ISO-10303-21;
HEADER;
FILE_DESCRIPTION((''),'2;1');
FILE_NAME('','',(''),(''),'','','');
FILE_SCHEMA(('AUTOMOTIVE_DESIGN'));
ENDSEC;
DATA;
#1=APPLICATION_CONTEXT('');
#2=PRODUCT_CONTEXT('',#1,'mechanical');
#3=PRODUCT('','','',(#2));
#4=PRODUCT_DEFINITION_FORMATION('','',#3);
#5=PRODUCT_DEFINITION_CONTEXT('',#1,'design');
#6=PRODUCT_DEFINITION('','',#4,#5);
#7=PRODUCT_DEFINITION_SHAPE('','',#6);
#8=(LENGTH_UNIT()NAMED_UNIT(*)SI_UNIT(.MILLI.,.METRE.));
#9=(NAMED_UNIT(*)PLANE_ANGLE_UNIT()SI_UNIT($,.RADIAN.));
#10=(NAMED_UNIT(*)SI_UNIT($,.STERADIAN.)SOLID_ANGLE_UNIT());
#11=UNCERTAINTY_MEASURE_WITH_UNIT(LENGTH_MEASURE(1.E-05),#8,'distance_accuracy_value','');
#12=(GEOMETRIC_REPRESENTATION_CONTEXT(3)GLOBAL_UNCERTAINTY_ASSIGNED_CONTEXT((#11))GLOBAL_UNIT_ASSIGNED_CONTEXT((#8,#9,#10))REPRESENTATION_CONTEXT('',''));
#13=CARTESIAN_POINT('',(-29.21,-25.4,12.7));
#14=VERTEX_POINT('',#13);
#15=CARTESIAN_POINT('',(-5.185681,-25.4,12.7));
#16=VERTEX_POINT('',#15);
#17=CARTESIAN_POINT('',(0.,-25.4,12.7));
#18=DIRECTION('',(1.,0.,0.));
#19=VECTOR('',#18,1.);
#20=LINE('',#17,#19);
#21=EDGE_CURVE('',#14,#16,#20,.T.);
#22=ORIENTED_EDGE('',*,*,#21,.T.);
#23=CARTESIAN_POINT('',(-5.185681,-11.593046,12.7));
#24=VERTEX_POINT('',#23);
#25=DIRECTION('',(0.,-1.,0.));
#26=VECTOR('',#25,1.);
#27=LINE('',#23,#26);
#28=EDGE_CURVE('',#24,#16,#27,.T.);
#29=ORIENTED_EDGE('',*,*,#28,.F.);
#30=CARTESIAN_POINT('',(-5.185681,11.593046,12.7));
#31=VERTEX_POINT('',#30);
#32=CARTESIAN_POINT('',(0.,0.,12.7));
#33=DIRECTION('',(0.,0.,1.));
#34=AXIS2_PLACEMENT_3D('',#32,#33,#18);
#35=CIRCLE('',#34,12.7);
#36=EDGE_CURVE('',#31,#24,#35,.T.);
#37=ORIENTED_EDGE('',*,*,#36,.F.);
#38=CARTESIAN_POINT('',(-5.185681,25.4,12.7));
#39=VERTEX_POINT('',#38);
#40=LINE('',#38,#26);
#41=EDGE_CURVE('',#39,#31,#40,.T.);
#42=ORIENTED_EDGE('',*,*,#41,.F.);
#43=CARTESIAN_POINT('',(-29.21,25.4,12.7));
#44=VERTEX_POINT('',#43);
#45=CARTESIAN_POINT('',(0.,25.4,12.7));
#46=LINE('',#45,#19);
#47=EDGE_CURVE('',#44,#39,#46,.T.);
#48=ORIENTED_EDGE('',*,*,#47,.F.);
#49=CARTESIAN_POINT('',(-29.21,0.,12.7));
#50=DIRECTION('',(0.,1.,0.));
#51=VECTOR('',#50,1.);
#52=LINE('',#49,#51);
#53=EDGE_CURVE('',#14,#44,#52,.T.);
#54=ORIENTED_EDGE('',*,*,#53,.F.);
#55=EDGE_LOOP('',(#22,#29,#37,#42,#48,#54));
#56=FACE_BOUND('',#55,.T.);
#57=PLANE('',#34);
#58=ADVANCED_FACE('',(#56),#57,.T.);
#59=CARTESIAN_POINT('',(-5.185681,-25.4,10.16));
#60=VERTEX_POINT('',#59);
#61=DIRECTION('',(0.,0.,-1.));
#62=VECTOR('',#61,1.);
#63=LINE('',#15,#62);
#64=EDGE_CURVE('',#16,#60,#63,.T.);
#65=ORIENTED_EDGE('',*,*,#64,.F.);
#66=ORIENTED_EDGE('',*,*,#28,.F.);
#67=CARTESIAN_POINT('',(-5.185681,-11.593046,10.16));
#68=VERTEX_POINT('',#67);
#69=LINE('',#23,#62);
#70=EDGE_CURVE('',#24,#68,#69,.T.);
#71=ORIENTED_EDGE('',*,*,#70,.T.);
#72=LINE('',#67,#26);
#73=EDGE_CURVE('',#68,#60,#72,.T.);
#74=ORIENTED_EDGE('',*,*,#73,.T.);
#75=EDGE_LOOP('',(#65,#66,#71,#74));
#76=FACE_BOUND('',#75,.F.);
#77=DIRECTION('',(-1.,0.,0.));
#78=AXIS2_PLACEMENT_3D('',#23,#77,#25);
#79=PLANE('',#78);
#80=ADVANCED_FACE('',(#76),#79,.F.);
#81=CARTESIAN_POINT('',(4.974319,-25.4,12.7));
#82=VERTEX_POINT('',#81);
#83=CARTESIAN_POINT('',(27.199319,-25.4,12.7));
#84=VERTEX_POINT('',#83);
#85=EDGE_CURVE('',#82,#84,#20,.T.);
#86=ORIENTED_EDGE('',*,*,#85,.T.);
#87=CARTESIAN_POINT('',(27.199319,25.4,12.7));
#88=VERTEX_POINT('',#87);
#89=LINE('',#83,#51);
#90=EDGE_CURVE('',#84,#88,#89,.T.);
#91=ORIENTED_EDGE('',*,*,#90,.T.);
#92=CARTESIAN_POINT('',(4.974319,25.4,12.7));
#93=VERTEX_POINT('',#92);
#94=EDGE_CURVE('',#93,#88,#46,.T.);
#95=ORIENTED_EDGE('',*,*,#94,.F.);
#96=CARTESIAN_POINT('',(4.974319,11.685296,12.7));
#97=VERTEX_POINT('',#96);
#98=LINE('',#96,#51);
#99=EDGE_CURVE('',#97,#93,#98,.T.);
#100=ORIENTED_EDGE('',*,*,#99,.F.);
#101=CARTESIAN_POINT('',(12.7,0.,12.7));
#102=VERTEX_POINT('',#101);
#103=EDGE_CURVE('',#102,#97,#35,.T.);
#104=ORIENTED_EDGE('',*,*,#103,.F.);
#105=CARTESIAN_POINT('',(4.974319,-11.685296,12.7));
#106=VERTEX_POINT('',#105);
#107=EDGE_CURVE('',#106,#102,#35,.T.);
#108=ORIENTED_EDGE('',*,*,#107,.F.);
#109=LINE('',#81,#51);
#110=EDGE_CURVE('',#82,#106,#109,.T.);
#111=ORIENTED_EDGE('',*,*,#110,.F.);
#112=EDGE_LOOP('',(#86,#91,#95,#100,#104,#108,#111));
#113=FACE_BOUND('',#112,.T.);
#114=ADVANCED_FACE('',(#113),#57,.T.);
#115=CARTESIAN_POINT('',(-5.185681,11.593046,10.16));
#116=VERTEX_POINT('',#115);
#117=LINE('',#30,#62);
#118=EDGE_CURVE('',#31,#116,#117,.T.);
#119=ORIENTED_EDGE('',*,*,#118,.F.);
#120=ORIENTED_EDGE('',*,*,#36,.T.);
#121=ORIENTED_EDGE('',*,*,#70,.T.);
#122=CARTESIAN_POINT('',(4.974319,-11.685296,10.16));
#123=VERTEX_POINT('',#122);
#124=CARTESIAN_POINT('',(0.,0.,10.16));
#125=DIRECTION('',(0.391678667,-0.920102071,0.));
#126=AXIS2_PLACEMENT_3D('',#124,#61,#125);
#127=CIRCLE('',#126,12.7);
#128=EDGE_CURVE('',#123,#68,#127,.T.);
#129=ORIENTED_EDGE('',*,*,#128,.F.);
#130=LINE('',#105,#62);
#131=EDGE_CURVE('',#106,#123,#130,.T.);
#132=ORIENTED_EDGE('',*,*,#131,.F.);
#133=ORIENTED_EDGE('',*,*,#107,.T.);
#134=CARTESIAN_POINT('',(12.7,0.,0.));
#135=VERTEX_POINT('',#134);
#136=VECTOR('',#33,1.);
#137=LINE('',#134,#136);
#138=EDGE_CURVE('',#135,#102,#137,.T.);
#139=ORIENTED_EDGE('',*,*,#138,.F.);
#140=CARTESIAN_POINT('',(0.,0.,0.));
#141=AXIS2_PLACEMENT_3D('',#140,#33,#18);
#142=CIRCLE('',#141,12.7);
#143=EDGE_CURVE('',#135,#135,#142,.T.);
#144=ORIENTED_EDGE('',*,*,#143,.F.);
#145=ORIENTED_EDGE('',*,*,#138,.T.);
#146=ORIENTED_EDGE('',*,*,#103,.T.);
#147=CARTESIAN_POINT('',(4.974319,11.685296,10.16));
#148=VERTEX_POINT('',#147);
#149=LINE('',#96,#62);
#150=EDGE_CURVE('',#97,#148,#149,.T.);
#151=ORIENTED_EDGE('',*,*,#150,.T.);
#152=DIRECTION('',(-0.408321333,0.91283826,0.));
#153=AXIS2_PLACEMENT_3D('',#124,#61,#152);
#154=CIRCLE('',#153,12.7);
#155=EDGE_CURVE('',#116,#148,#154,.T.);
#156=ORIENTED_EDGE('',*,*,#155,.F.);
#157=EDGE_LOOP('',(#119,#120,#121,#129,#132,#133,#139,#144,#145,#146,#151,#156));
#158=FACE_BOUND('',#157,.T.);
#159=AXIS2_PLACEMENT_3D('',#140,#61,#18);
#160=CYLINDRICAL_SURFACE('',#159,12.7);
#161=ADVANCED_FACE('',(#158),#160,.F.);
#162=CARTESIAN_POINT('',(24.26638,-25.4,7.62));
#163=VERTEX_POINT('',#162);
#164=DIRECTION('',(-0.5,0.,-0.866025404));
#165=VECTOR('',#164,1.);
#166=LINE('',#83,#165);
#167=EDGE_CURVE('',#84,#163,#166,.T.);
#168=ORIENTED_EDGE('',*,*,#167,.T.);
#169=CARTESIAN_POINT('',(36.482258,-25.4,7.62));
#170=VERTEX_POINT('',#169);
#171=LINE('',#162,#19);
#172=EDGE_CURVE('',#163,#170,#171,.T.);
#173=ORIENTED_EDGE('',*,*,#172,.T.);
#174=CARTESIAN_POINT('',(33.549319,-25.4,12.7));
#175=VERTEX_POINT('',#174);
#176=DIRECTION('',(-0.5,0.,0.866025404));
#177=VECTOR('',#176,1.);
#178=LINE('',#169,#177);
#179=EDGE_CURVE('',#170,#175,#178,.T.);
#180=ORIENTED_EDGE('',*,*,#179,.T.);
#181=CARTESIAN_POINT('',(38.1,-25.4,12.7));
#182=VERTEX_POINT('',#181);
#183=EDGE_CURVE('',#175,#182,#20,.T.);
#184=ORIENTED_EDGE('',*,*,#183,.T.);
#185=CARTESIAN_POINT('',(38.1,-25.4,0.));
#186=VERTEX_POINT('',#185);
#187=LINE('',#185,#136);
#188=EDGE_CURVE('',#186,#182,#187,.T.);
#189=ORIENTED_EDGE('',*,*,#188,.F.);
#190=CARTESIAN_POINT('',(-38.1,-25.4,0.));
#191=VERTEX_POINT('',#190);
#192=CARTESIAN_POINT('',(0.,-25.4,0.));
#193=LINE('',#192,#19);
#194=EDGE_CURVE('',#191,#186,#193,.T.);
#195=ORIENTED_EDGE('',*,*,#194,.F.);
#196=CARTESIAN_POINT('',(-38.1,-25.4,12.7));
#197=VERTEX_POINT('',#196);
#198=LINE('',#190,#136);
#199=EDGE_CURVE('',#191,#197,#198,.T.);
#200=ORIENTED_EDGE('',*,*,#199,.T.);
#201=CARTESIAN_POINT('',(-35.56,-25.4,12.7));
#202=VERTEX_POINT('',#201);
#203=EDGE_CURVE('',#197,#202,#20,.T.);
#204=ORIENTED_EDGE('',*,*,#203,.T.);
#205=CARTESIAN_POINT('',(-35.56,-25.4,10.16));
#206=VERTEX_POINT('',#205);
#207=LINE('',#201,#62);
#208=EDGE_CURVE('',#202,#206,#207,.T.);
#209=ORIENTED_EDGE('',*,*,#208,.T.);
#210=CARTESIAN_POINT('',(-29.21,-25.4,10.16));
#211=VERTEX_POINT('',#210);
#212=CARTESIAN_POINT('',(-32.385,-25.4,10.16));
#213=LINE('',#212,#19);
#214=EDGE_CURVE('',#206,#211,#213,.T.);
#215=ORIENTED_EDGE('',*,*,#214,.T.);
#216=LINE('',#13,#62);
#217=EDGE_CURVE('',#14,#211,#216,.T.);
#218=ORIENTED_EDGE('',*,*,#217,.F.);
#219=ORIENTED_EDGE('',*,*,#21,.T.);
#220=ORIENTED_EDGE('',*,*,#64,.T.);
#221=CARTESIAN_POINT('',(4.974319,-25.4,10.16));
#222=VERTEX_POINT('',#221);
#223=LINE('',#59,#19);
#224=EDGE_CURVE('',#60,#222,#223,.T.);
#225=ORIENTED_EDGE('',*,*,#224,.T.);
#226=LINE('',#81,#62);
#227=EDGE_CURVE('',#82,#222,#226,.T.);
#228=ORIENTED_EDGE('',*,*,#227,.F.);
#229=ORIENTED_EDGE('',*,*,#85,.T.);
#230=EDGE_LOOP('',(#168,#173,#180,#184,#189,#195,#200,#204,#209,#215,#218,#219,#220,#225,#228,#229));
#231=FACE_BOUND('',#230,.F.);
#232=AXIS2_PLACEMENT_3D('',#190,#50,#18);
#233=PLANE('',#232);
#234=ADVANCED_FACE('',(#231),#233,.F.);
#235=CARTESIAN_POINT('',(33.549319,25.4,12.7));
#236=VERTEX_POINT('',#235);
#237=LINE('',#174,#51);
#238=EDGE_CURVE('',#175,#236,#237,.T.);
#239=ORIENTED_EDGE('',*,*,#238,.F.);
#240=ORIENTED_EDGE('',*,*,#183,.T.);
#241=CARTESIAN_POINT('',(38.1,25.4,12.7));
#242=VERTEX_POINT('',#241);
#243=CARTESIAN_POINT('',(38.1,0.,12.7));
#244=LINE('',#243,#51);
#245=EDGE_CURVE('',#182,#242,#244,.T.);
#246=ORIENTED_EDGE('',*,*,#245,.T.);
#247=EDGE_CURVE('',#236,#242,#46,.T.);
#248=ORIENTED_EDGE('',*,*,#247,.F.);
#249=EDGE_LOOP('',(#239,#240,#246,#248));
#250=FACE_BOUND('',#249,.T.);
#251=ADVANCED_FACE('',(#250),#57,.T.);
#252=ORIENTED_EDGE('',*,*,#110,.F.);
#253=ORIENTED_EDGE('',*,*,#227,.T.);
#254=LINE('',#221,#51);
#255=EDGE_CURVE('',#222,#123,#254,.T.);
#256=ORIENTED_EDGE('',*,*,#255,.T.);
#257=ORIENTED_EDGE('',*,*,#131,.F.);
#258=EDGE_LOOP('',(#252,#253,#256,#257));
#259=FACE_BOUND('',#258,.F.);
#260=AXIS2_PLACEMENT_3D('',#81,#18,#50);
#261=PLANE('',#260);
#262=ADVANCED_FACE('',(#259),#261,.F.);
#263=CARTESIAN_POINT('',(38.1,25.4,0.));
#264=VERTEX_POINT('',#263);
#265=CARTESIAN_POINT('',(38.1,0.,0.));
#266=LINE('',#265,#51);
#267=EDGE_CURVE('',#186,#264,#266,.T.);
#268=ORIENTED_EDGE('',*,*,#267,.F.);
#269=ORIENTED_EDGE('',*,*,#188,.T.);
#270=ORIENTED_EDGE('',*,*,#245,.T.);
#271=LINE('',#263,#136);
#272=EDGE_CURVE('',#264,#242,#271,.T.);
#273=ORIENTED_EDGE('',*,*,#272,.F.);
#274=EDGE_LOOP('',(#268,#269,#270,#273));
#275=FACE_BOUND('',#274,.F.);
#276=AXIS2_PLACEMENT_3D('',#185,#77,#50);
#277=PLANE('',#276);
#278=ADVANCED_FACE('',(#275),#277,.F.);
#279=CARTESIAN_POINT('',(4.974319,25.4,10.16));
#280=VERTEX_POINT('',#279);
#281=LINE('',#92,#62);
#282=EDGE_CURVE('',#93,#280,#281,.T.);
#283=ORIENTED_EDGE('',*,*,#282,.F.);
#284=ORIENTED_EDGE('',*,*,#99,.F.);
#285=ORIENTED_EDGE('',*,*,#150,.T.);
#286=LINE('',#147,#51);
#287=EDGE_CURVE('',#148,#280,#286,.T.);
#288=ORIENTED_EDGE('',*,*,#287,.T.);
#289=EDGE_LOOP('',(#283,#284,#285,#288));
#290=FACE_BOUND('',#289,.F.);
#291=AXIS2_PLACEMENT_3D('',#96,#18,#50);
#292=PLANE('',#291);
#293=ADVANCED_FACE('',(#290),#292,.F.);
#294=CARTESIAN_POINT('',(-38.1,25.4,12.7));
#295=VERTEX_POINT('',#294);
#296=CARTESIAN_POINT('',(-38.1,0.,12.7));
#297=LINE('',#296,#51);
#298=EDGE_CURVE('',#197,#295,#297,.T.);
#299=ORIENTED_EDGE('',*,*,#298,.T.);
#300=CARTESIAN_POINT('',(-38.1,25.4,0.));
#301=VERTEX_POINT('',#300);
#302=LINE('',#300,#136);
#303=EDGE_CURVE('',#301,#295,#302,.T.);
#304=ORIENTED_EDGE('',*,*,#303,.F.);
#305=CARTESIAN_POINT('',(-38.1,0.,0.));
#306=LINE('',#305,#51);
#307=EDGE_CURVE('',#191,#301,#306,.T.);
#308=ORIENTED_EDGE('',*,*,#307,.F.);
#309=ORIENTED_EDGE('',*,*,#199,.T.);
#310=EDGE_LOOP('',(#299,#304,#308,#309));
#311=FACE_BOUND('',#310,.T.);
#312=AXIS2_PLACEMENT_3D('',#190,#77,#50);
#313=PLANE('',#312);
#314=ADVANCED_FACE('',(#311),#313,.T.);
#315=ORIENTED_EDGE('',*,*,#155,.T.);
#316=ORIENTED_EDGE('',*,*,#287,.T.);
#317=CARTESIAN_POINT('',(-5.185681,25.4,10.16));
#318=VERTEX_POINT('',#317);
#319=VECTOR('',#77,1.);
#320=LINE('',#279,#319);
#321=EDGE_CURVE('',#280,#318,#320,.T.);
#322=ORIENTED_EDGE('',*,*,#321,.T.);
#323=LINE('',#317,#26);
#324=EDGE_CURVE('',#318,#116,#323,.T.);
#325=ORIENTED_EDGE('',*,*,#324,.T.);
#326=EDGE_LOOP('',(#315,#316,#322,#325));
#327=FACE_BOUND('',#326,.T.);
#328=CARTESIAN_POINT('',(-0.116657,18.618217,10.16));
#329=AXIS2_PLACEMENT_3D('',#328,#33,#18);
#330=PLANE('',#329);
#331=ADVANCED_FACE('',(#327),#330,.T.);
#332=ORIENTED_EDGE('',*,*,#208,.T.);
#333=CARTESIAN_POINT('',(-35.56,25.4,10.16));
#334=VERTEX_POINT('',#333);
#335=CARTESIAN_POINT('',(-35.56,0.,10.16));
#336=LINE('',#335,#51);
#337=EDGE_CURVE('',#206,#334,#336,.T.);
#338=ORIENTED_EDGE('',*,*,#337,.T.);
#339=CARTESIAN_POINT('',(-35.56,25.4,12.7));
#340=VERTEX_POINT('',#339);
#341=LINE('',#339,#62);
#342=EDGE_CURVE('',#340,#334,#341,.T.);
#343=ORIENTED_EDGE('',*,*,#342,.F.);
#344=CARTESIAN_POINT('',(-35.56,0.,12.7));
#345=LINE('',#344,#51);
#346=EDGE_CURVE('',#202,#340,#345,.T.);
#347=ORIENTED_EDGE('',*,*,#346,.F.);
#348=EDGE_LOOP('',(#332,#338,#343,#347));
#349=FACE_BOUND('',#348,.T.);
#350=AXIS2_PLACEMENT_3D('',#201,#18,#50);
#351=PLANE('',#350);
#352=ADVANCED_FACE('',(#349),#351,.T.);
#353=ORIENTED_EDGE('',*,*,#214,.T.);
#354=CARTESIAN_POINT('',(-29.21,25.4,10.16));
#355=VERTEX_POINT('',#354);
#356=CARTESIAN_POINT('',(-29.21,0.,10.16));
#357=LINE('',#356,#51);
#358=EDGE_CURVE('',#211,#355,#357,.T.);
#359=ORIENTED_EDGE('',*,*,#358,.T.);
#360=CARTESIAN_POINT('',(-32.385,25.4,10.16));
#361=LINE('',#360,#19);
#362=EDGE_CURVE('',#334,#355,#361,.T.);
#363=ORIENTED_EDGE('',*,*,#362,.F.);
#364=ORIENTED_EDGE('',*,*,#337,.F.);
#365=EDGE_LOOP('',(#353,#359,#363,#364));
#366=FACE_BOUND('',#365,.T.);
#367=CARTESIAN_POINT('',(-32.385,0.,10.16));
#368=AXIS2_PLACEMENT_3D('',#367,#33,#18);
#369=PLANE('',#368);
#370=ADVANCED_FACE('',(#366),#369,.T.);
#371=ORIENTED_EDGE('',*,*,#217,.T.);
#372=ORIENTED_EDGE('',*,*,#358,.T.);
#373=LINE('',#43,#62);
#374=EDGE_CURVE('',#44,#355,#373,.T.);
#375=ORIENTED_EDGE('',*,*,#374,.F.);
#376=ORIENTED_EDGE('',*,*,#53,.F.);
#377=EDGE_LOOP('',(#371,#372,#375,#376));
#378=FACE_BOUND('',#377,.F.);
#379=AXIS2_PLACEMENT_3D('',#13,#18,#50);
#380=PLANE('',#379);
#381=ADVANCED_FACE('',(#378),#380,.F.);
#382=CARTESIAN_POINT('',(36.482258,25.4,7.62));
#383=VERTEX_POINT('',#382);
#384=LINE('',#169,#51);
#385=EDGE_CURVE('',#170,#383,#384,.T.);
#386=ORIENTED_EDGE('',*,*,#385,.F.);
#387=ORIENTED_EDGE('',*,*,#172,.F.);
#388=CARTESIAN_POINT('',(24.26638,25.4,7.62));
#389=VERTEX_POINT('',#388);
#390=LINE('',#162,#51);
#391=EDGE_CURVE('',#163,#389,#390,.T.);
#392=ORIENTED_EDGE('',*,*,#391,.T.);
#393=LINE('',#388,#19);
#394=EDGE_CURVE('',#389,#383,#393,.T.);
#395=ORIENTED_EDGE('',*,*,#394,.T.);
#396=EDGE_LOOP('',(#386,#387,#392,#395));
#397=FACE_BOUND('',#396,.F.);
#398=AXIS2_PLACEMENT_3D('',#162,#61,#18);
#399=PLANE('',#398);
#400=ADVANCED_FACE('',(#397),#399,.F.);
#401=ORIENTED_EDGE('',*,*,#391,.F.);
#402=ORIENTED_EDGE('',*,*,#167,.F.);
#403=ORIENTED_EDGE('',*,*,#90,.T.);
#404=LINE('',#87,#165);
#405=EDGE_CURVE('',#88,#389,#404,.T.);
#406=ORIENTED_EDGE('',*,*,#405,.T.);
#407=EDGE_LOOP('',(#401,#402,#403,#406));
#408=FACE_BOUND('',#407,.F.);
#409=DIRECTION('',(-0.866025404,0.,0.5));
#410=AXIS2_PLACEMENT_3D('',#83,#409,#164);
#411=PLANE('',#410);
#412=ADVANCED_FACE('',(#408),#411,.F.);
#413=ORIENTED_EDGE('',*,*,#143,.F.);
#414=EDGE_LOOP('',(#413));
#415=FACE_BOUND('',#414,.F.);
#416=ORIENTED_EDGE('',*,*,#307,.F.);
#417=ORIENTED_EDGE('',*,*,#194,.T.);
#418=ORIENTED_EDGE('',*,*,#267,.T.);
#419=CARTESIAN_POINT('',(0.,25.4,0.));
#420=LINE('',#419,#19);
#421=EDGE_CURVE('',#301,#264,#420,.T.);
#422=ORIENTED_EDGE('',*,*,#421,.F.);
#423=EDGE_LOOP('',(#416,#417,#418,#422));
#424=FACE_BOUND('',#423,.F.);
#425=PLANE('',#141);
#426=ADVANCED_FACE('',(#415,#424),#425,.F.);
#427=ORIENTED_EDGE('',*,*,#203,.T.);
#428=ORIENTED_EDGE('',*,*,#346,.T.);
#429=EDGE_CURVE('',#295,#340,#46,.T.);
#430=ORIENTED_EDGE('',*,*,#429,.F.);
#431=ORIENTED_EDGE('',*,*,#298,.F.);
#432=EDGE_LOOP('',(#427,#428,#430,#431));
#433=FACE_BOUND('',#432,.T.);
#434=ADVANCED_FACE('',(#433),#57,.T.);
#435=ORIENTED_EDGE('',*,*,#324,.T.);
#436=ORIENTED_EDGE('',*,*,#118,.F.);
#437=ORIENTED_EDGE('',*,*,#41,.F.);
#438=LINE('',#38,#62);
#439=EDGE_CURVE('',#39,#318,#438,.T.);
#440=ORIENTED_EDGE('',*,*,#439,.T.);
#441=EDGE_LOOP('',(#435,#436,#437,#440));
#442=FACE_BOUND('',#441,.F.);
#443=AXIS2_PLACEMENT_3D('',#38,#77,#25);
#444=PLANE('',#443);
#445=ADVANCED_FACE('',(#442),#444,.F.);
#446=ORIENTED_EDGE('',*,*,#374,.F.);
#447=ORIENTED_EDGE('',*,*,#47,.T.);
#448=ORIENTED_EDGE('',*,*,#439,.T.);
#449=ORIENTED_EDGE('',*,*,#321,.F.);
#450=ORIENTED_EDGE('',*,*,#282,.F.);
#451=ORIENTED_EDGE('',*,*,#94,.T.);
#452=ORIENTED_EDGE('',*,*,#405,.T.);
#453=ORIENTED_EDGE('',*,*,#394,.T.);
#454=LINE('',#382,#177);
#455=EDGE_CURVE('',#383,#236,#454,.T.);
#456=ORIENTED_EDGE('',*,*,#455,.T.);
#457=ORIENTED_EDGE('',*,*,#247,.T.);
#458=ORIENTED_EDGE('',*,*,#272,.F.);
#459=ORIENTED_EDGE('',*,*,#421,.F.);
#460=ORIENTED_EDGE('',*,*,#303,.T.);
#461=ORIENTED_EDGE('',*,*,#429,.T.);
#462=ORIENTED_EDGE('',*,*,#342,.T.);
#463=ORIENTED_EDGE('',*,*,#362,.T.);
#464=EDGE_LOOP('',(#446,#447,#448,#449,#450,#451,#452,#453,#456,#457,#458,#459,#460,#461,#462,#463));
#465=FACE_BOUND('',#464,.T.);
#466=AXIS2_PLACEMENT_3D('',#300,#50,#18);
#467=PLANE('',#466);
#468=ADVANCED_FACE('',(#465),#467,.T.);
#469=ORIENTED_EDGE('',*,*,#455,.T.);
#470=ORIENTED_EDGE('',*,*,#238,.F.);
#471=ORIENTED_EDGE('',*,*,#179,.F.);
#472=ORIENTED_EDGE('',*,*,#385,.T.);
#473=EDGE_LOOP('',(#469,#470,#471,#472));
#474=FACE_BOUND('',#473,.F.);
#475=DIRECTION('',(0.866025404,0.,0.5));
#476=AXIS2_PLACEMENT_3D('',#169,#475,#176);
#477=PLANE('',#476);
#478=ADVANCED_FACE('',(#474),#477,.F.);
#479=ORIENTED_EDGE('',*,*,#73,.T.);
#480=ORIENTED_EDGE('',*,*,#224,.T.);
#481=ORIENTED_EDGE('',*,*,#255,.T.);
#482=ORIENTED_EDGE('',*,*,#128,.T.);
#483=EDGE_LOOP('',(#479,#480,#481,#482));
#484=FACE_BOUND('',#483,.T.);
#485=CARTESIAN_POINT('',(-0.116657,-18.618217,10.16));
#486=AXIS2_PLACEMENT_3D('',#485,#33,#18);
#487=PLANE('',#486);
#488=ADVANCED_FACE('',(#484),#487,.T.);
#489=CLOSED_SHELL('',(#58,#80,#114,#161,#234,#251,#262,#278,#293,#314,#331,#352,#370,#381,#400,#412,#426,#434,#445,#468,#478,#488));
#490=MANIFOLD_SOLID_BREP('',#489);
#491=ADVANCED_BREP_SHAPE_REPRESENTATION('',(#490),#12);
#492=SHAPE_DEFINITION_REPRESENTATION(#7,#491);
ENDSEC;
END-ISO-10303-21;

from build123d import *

# Parameters (mm, degrees)
F0_W     = 76.2
F0_H     = 50.8
F0_R     = 12.7
F1_DEPTH = 12.7
F2_W     = 6.35
F2_H     = 50.8
F3_DEPTH = 2.54
F5_DEPTH = 50.8


with BuildPart() as f1:
    # F0 (on Top) → F1 (new body)
    with BuildSketch(Plane.XY):
        Rectangle(F0_W, F0_H)
        Circle(F0_R, mode=Mode.SUBTRACT)
    extrude(amount=F1_DEPTH)

    # F2 (on face) → F3 (cut)
    with BuildSketch(Plane.XY.offset(12.7)):
        with BuildLine():
            Line((-5.1856809296, -11.5930459025), (-5.1856809296, -25.4))
            Line((-5.1856809296, -25.4), (4.9743190704, -25.4))
            Line((4.9743190704, -25.4), (4.9743190704, -11.6852963071))
            ThreePointArc((4.9743190704, -11.6852963071), (-0.1153082528, -12.6994765249), (-5.1856809296, -11.5930459025))
        make_face()
        with BuildLine():
            Line((4.9743190704, 25.4), (-5.1856809296, 25.4))
            Line((-5.1856809296, 25.4), (-5.1856809296, 11.5930459025))
            ThreePointArc((-5.1856809296, 11.5930459025), (-0.1153082528, 12.6994765249), (4.9743190704, 11.6852963071))
            Line((4.9743190704, 11.6852963071), (4.9743190704, 25.4))
        make_face()
        with Locations((-32.385, 0)):
            Rectangle(F2_W, F2_H)
    extrude(amount=-F3_DEPTH, mode=Mode.SUBTRACT)

    # F4 (on face) → F5 (cut, through all)
    with BuildSketch(Plane.XZ.offset(25.4)):
        Polygon((33.5493190704, 12.7), (27.1993190704, 12.7), (24.2663797029, 7.62), (36.4822584379, 7.62), align=None)
    extrude(amount=-F5_DEPTH, mode=Mode.SUBTRACT)


solid = f1.part
